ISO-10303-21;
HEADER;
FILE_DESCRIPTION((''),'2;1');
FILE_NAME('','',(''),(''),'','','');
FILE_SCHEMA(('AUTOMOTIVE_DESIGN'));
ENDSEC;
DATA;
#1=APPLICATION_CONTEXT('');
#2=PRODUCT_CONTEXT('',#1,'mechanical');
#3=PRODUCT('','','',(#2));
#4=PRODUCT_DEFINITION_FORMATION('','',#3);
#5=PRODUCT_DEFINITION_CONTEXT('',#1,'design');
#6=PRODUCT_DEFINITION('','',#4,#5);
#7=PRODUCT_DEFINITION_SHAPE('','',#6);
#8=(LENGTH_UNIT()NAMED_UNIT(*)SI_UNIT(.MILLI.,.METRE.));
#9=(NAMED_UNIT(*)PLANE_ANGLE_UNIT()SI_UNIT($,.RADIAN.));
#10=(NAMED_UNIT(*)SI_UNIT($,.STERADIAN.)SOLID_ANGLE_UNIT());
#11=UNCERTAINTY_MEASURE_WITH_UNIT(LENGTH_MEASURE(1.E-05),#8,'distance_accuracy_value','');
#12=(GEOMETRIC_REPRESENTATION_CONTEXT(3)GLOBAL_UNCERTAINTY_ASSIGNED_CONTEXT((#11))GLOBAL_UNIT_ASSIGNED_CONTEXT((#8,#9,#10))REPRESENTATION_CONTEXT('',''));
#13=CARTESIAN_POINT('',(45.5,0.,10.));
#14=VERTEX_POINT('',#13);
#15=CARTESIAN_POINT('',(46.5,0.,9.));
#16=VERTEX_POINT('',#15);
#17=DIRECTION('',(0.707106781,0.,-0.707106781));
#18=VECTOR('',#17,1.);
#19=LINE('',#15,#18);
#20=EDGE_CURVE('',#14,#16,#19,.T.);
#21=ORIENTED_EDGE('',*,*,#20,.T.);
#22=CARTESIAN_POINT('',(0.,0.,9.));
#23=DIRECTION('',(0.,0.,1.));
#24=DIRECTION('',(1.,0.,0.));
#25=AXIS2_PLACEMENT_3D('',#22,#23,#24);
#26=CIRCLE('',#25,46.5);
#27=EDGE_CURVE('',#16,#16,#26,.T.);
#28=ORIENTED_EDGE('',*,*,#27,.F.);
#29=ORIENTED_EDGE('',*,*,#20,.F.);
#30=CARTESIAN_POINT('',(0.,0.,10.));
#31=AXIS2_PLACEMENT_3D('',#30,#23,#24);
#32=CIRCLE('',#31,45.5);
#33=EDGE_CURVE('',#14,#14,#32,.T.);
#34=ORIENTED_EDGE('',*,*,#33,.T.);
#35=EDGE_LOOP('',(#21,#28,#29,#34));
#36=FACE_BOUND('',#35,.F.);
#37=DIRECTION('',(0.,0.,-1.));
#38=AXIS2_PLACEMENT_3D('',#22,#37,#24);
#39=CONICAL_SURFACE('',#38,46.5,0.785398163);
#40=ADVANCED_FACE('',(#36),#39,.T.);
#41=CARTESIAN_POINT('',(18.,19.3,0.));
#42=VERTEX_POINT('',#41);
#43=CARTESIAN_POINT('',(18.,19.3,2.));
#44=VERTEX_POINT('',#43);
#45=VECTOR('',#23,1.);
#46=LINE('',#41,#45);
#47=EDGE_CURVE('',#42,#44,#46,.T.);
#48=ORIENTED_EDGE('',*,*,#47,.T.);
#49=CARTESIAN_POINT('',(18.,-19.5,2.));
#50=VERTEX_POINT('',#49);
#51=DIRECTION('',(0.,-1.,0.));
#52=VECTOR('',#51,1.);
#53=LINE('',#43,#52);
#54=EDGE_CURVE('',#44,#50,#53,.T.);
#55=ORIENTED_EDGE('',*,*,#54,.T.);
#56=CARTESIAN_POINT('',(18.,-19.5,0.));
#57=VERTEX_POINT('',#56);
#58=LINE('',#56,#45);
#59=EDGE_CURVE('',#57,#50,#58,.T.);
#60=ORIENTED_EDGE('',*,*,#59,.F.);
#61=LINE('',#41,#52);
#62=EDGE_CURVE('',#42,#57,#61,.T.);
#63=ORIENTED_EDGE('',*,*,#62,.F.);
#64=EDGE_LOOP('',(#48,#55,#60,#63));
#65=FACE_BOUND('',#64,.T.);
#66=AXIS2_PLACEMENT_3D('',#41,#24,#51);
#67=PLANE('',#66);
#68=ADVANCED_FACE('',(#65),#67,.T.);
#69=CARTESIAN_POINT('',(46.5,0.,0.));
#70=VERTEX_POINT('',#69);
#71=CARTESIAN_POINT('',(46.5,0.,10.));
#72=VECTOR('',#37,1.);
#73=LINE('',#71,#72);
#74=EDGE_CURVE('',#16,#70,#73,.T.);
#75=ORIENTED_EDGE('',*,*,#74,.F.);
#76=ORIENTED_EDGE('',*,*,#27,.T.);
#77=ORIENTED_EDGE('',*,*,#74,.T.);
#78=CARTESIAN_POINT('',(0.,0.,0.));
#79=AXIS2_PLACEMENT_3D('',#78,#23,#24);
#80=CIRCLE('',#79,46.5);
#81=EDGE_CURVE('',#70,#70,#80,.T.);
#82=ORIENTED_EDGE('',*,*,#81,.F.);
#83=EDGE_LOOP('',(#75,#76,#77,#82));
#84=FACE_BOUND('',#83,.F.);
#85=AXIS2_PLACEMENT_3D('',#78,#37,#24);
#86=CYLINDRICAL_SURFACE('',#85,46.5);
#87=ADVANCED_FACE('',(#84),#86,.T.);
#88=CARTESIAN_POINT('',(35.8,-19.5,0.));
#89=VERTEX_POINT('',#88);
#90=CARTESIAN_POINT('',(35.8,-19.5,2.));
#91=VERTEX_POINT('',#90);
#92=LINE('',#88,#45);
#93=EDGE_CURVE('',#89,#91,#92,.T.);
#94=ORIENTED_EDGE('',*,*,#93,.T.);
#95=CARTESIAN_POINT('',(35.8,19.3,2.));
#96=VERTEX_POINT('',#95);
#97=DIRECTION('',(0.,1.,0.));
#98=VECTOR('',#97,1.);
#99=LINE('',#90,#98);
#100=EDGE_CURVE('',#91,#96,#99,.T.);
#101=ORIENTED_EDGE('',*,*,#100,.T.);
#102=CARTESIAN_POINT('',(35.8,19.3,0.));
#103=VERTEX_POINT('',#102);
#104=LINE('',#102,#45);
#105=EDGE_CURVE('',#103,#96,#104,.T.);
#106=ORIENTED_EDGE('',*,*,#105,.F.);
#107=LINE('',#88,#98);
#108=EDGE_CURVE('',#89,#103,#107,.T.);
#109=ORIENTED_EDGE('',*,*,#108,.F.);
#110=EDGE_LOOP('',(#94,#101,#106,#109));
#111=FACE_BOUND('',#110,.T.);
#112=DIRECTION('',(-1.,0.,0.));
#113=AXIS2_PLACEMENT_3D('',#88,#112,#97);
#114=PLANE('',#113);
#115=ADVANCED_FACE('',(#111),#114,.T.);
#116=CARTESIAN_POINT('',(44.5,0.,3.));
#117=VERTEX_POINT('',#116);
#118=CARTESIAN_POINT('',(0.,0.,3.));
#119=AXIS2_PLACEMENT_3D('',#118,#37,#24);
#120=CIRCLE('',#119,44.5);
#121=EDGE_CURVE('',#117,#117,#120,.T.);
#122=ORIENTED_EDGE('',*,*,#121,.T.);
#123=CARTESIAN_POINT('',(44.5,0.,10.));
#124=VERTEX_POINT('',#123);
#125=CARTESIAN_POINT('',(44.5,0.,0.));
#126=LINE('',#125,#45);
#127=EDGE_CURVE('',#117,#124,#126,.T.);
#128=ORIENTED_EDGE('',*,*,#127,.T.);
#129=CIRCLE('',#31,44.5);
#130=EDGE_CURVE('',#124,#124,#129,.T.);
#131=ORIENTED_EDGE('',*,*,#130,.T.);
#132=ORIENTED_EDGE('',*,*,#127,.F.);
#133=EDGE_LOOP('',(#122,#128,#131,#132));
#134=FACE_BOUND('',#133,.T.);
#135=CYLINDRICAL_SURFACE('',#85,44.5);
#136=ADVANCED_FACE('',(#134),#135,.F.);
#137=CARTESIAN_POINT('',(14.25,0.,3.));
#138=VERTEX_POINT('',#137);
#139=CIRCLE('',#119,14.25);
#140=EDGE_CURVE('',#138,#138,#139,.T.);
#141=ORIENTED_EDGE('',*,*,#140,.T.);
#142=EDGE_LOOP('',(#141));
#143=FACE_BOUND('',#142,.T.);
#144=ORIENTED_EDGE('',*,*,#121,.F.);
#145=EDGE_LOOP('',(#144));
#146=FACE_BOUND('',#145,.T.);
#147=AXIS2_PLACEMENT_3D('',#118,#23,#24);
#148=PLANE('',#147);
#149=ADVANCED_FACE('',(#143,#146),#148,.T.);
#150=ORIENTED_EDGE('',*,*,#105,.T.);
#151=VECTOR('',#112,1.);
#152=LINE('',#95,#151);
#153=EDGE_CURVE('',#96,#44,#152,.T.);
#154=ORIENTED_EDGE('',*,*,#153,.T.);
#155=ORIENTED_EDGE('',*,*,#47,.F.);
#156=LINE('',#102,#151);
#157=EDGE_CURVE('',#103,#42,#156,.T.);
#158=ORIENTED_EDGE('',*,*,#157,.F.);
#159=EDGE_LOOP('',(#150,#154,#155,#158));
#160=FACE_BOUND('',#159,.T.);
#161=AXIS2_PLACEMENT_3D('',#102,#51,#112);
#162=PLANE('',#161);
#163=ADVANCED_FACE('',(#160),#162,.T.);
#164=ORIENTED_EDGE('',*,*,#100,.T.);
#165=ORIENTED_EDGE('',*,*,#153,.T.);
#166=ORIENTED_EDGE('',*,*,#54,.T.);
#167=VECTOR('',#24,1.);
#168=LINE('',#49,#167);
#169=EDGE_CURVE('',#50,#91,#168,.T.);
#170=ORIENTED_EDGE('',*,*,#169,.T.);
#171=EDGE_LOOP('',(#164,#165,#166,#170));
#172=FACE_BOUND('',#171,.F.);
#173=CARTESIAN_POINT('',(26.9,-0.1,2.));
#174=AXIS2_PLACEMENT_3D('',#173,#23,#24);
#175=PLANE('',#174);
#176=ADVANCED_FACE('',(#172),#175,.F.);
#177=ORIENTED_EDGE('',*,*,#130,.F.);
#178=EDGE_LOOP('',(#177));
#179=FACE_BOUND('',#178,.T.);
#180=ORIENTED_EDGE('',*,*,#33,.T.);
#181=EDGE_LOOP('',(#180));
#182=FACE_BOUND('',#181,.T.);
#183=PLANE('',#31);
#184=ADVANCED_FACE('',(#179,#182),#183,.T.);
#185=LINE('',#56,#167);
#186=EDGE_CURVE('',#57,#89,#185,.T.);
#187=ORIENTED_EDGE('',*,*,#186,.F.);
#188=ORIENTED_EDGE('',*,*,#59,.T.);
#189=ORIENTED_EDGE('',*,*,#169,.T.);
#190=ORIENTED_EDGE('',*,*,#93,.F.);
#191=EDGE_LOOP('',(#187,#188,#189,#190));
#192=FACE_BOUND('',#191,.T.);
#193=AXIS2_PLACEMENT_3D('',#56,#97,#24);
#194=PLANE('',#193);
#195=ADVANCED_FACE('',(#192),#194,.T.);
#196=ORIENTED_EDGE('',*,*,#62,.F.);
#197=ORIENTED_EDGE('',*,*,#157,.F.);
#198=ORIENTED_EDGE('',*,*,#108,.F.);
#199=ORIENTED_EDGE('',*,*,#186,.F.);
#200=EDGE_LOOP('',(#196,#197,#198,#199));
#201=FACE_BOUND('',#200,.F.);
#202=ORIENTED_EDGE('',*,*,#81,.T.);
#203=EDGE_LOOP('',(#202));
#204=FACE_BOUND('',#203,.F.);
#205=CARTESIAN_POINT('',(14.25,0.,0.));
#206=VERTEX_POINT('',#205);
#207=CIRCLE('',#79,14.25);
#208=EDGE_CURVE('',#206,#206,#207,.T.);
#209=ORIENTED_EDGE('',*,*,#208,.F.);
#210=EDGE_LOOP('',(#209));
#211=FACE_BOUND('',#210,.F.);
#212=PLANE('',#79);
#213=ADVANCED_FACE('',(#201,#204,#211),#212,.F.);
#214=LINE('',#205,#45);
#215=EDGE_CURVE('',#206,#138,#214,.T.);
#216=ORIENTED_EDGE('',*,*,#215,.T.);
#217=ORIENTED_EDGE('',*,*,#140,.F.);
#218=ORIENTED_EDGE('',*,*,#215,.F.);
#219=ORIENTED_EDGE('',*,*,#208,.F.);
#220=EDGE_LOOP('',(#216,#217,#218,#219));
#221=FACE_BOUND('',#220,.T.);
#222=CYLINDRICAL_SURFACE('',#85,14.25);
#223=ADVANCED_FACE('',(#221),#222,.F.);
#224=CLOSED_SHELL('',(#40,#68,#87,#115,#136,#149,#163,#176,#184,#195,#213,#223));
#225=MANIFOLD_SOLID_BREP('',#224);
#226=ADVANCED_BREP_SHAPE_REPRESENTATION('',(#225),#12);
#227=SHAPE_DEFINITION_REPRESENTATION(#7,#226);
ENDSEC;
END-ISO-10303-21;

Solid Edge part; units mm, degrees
sketch "Sketch1" plane through (0, 0, 0) normal (0, 0, 1) x (1, 0, 0)
  circle A0 centre (0, 0) radius 46.5
extrude "Protrusion1" add sketch "Sketch1" along normal blind 3
sketch "Sketch2" plane through (0, 0, 0) normal (0, 0, 1) x (1, 0, 0)
  circle A0 centre (0, 0) radius 46.5
  circle A1 centre (0, 0) radius 44.5
  dimension "D1" = 89
  dimension "D2" = 2
  dimension "D3" = 28.5
extrude "ExtrudedProtrusion_4" add sketch "Sketch2" along normal blind 10
sketch "Sketch3" plane through (0, 0, 0) normal (0, 0, 1) x (1, 0, 0)
  line L0 (35.8, -19.5) -> (35.8, 19.3)
  line L1 (35.8, 19.3) -> (18, 19.3)
  line L2 (18, 19.3) -> (18, -19.5)
  line L3 (18, -19.5) -> (35.8, -19.5)
extrude "ExtrudedCutout_2" cut sketch "Sketch3" along normal blind 2
sketch "Sketch4" plane through (0, 0, 0) normal (0, 0, 1) x (1, 0, 0)
  circle A0 centre (0, 0) radius 14.25
extrude "Cutout1" cut sketch "Sketch4" along normal through all
chamfer "Chamfer_1" distance 1 angle 45 1 edges at (-46.5, 0, 10) measured on face at (-31.93, 31.93, 10)
